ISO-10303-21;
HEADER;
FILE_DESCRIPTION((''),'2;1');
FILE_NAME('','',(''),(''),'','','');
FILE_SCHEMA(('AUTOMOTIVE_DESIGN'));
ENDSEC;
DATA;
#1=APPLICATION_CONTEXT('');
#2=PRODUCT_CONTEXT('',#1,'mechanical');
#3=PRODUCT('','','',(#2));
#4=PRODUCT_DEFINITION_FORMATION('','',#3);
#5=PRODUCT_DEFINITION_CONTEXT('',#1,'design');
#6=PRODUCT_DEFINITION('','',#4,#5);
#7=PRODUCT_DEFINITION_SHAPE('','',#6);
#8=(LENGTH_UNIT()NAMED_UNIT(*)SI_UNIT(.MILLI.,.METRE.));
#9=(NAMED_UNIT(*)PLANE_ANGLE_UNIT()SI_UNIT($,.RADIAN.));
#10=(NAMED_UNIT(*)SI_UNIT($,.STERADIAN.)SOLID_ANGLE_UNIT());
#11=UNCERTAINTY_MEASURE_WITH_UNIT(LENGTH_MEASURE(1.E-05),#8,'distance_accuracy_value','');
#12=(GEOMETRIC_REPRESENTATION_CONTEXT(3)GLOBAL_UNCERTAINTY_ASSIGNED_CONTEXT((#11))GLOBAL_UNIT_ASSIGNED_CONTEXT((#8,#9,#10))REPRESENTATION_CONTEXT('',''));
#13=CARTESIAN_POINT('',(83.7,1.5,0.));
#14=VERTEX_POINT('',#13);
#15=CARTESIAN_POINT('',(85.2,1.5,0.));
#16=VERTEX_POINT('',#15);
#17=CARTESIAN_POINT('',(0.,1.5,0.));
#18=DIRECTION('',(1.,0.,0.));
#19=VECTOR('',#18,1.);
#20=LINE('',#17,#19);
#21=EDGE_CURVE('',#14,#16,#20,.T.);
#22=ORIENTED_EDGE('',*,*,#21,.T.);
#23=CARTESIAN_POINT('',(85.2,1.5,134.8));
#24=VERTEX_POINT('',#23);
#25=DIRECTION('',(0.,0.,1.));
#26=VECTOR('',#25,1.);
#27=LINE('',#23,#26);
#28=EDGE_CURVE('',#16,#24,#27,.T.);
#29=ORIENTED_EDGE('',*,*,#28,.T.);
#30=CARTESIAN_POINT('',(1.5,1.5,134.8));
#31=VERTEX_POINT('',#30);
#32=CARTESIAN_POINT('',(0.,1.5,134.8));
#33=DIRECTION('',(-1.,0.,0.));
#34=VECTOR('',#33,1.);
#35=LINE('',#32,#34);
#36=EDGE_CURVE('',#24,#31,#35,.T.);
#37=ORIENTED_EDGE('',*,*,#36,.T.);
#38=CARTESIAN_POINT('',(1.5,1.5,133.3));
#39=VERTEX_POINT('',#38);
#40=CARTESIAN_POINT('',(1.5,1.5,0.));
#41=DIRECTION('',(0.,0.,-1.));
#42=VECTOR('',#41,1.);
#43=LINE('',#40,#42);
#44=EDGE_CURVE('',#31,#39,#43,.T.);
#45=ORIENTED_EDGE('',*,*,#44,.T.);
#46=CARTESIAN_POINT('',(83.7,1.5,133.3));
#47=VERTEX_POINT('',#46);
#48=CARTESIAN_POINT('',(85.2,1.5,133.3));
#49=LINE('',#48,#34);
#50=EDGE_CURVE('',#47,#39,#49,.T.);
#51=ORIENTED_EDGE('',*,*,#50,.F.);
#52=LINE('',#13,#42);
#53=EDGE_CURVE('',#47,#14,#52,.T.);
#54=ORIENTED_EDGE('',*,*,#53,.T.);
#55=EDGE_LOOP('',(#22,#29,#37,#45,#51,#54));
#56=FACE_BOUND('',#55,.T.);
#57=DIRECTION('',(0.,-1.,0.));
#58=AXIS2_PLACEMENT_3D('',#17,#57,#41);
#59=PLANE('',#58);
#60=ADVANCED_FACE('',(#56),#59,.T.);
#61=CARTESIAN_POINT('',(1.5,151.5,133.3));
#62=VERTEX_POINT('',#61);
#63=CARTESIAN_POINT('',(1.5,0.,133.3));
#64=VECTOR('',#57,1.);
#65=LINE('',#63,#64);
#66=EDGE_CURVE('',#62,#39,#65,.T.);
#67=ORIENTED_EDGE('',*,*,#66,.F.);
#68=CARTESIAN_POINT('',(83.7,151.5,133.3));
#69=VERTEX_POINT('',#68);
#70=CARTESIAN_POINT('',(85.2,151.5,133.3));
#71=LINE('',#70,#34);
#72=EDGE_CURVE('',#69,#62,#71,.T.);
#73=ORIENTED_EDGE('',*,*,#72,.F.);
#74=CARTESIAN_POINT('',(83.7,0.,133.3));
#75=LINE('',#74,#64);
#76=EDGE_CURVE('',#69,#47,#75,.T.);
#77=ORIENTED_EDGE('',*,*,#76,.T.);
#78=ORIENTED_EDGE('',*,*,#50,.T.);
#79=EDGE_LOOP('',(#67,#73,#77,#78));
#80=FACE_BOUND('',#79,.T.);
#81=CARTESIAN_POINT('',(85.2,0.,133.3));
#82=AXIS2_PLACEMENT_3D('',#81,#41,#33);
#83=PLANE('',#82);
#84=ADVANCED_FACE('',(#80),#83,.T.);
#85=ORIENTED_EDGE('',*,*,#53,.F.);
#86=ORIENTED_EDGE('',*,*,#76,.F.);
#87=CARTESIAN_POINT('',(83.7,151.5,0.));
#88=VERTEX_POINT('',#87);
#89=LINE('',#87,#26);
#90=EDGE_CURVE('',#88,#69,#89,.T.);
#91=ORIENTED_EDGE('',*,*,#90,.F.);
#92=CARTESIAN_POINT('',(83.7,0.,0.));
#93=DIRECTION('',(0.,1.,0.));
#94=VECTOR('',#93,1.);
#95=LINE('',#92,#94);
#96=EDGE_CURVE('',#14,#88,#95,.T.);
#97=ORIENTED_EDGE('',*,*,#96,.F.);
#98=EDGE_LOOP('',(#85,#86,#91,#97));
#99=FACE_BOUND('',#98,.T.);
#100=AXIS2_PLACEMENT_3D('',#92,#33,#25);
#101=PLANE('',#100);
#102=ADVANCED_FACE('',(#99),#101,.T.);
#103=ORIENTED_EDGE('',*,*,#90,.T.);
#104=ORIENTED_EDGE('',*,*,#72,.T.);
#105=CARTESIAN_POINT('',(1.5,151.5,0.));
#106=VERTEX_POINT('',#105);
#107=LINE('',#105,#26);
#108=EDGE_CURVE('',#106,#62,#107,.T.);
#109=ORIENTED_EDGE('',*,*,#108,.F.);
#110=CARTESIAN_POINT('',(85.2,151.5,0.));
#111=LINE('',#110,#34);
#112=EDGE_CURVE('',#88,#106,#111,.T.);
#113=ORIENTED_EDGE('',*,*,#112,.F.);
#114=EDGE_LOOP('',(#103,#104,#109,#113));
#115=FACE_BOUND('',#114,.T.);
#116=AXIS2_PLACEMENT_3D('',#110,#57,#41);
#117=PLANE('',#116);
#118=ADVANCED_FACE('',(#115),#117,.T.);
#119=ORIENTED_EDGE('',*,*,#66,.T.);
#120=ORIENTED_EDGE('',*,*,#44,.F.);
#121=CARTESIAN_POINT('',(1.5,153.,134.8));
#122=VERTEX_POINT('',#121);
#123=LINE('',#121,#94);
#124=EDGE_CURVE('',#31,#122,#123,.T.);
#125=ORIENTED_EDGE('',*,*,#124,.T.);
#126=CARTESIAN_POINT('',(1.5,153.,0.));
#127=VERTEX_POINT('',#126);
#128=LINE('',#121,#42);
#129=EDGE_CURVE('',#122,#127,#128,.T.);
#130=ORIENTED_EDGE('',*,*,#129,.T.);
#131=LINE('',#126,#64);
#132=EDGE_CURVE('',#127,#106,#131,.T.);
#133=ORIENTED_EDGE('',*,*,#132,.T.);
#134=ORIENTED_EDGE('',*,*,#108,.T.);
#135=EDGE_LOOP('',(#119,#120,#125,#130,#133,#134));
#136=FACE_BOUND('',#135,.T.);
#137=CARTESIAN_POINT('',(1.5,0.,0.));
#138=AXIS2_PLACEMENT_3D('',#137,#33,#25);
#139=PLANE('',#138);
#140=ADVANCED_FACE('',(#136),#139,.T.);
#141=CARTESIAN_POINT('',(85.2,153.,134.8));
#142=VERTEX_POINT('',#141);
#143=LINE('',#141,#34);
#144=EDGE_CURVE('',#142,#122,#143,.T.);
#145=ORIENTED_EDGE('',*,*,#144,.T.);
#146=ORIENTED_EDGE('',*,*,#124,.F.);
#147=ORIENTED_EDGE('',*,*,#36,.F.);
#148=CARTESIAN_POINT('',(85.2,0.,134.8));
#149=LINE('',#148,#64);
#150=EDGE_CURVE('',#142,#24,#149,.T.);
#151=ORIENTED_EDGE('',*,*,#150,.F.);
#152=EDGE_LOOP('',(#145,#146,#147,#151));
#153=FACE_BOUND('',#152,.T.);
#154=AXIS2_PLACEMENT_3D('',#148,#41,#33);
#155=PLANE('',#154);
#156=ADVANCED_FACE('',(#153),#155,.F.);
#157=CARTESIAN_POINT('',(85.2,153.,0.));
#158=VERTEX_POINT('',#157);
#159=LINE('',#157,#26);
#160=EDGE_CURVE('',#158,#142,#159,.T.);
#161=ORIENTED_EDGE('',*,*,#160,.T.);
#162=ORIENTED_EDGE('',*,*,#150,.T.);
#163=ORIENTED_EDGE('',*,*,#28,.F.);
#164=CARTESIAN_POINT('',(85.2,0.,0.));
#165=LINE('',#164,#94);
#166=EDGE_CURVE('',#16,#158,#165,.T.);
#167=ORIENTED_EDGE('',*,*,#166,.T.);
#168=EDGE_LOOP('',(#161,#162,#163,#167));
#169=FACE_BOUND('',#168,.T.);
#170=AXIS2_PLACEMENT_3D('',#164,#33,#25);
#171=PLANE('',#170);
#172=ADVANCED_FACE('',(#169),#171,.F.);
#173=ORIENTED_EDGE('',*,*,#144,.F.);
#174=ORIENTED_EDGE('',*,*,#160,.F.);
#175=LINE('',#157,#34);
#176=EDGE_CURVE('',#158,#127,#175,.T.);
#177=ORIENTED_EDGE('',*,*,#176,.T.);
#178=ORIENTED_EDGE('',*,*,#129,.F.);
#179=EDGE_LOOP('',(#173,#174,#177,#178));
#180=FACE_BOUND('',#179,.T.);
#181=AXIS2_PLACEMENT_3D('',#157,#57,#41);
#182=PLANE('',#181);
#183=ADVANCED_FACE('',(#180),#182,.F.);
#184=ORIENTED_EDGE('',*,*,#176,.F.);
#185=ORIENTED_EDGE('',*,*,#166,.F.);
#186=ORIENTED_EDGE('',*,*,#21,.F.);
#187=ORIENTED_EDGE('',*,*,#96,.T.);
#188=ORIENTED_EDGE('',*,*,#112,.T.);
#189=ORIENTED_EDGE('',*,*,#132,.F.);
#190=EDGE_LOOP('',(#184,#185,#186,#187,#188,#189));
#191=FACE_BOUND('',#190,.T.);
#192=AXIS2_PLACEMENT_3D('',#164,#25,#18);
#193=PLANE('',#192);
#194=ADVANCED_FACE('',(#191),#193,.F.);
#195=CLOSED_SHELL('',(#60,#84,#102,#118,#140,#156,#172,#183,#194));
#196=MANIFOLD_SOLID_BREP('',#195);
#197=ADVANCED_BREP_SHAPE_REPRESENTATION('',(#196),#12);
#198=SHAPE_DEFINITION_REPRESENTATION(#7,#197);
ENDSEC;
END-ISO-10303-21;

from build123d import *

# Parameters (mm, degrees)
SKETCH1_W           = 153
SKETCH1_H           = 134.8
BOSS_EXTRUDE1_DEPTH = 85.2
SHELL1_T            = -1.5
SKETCH2_W           = 85.2
SKETCH2_H           = 134.8
CUT_EXTRUDE1_DEPTH  = 1.5
SKETCH3_W           = 151.5
SKETCH3_H           = 134.8
CUT_EXTRUDE2_DEPTH  = 1.5


with BuildPart() as part:
    # Sketch1 → Boss-Extrude1 (new body)
    with BuildSketch(Plane.YZ):
        with Locations((76.5, 67.4)):
            Rectangle(SKETCH1_W, SKETCH1_H)
    extrude(amount=BOSS_EXTRUDE1_DEPTH)

    # Shell1
    shell1_openings = [part.faces().sort_by_distance(p)[0] for p in [
        (42.6, 76.5, 0),
    ]]
    offset(amount=SHELL1_T, openings=shell1_openings, kind=Kind.INTERSECTION)

    # Sketch2 → Cut-Extrude1 (cut)
    with BuildSketch(Plane.XZ):
        with Locations((42.6, 67.4)):
            Rectangle(SKETCH2_W, SKETCH2_H)
    extrude(amount=-CUT_EXTRUDE1_DEPTH, mode=Mode.SUBTRACT)

    # Sketch3 → Cut-Extrude2 (cut)
    with BuildSketch(Plane(origin=(0, 0, 0), x_dir=(0, -1, 0), z_dir=(-1, 0, 0))):
        with Locations((-77.25, 67.4)):
            Rectangle(SKETCH3_W, SKETCH3_H)
    extrude(amount=-CUT_EXTRUDE2_DEPTH, mode=Mode.SUBTRACT)


solid = part.part
